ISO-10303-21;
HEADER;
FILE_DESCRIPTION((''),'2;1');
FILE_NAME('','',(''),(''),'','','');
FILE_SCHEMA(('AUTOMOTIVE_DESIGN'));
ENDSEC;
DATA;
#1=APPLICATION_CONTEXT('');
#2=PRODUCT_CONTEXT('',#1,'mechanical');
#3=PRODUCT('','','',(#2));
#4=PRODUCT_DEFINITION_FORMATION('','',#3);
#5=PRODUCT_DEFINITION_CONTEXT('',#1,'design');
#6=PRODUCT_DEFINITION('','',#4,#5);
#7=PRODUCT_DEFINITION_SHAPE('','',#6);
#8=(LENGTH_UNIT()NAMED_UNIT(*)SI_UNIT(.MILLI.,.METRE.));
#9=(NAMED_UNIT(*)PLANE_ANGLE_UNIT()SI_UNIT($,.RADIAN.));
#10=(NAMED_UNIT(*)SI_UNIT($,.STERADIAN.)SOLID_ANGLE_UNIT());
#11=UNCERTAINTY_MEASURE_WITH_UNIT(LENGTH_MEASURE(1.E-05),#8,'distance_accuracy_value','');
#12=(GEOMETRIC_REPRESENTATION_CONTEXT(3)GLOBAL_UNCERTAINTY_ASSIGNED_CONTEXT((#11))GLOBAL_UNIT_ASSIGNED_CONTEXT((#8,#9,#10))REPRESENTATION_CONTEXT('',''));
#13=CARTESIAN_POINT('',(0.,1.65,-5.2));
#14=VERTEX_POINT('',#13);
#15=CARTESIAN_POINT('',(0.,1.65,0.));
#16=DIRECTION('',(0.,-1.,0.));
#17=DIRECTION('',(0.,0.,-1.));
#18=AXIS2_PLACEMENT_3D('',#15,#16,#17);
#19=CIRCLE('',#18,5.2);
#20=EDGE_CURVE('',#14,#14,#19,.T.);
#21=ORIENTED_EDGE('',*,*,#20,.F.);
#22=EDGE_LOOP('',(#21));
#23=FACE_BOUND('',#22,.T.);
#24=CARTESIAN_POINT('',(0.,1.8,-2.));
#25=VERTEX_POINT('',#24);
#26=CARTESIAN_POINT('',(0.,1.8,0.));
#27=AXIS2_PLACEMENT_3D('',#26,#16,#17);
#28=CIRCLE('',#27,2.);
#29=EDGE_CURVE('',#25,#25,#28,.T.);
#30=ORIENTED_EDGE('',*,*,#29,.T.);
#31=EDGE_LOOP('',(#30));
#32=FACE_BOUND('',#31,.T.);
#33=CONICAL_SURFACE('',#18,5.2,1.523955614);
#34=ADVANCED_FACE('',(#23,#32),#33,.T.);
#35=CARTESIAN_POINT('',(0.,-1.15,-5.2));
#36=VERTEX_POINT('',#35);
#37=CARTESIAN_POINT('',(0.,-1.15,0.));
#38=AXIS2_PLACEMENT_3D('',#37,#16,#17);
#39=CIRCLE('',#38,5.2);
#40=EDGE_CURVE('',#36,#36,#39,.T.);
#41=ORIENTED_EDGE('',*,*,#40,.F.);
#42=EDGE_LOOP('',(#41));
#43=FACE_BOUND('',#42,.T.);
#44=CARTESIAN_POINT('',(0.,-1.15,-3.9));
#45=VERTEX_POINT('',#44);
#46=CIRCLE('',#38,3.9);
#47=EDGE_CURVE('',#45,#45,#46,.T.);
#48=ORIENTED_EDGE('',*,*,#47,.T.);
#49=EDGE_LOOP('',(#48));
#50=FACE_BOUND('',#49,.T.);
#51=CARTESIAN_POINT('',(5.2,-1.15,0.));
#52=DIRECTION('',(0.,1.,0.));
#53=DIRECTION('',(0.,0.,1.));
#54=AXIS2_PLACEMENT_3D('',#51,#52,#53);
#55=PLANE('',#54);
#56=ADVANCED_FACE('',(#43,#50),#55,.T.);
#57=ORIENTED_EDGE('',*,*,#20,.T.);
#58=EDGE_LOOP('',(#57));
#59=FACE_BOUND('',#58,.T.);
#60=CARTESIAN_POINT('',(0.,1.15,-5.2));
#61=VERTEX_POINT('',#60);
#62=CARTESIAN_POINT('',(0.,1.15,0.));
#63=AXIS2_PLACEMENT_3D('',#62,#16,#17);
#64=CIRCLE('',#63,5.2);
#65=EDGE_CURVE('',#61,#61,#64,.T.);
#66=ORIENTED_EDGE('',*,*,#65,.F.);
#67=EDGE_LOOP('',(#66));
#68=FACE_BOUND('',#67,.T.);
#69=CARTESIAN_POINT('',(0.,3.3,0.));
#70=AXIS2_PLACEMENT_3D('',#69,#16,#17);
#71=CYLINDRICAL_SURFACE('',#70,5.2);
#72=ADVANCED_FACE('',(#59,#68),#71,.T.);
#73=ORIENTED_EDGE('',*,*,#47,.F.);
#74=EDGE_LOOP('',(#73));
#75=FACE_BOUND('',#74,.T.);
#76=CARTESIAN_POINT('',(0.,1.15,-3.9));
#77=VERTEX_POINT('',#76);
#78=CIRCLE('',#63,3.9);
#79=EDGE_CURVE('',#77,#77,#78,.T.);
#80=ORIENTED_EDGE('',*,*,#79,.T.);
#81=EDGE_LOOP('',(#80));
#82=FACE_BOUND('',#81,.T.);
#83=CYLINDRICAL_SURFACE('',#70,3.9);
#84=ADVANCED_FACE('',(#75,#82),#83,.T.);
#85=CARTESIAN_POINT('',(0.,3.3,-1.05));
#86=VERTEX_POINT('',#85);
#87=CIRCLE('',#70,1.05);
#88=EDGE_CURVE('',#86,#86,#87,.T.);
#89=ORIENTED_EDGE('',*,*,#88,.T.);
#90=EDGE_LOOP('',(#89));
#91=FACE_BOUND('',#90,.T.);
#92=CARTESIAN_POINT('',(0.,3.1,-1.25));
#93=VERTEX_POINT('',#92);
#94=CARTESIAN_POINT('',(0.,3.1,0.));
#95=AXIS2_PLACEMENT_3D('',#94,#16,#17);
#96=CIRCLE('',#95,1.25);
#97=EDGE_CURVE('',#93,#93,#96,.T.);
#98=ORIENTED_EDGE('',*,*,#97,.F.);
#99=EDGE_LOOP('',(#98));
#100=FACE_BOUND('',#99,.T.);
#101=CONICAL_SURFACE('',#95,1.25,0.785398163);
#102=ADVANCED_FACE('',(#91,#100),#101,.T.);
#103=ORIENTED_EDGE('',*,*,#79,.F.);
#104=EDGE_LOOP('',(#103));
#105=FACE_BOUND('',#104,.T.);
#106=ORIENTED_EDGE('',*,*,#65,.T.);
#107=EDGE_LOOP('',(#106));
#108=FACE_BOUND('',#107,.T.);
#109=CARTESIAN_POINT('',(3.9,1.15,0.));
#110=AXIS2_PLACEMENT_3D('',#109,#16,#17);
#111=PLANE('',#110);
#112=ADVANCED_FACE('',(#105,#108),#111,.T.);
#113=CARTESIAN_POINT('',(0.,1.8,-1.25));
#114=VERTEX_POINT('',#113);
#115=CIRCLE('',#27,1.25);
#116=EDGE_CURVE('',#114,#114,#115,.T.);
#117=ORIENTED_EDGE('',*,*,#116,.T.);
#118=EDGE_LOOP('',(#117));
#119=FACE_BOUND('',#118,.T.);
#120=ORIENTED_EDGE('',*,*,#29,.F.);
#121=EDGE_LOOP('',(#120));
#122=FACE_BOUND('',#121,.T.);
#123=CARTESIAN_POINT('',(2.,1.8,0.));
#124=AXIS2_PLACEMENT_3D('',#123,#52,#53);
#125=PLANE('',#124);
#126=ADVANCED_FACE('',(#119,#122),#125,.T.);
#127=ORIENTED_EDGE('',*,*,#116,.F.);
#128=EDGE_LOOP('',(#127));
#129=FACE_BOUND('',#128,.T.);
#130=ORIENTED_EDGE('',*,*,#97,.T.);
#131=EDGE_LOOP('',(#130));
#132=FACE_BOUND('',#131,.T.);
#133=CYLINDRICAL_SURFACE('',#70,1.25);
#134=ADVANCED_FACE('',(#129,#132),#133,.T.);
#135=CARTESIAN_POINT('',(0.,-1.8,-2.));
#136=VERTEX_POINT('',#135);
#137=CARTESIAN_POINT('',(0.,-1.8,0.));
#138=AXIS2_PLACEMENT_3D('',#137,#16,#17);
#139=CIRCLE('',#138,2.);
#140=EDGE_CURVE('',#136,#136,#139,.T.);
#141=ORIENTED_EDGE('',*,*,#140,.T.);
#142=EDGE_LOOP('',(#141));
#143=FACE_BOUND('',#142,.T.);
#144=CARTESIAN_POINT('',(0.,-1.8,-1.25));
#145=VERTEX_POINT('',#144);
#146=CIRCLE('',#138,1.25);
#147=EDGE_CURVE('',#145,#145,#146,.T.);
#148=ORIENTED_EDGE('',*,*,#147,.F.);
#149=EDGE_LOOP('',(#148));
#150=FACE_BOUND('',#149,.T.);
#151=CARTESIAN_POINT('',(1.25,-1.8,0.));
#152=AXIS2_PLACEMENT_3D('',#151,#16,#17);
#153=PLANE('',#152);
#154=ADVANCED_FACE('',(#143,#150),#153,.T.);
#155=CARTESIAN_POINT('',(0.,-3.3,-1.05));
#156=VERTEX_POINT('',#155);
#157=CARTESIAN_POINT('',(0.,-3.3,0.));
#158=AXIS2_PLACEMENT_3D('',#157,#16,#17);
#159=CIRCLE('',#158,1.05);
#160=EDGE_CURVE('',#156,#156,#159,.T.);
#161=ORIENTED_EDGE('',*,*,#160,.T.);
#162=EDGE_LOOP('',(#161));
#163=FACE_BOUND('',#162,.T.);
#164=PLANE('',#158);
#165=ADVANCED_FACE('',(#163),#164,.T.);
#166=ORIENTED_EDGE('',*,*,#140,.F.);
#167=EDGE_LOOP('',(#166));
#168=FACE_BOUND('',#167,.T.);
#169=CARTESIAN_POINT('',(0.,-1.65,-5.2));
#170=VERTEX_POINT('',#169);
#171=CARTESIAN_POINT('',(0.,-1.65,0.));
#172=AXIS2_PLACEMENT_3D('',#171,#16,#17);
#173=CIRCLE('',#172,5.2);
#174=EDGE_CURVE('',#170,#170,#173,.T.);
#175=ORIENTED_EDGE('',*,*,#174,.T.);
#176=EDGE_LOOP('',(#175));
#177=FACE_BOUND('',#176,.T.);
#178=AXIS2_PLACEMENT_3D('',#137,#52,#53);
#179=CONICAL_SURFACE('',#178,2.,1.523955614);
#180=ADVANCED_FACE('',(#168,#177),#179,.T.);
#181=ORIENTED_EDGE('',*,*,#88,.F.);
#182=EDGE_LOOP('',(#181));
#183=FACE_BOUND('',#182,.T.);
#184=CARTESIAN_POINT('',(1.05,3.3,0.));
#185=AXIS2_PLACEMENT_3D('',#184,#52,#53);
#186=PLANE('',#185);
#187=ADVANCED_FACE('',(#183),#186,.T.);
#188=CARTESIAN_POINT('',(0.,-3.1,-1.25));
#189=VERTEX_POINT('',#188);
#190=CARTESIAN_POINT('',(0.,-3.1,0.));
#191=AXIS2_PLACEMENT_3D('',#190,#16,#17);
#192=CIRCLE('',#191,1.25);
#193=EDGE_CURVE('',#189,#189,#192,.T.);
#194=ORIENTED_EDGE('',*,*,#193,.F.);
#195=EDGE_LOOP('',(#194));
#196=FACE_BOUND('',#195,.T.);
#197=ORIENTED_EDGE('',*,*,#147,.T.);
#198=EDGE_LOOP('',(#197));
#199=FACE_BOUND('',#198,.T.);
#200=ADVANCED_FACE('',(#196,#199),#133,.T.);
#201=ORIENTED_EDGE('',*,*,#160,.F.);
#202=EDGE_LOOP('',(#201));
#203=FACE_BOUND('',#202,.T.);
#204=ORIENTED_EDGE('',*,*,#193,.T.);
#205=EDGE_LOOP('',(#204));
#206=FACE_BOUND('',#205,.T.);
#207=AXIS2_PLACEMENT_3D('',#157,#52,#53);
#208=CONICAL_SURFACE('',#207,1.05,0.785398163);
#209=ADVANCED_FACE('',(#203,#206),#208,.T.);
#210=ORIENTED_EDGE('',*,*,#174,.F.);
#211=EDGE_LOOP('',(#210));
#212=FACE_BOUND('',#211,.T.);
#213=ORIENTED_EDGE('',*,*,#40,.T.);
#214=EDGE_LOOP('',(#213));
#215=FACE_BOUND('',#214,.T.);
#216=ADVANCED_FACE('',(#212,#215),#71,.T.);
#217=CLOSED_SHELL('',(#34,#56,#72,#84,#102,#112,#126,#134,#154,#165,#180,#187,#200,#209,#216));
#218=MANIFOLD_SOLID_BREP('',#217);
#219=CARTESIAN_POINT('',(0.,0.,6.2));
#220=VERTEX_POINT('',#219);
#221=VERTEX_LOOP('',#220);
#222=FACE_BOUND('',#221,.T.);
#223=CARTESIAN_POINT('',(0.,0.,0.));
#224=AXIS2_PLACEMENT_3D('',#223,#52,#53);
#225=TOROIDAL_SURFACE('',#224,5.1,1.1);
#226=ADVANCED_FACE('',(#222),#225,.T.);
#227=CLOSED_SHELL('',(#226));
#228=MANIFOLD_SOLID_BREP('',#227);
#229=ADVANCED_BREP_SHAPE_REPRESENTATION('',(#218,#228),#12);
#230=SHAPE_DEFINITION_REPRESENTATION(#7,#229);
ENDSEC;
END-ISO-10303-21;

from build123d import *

# Parameters (mm, degrees)
SKETCH2_R = 1.1


with BuildPart() as part:
    # Sketch1 → Revolve1 (revolve)
    with BuildSketch(Plane.XY, mode=Mode.PRIVATE) as revolve1_sk:
        Polygon((1.05, 3.3), (0, 3.3), (0, -3.3), (1.05, -3.3), (1.25, -3.1), (1.25, -1.8), (2, -1.8), (5.2, -1.65), (5.2, -1.15), (3.9, -1.15), (3.9, 1.15), (5.2, 1.15), (5.2, 1.65), (2, 1.8), (1.25, 1.8), (1.25, 3.1), align=None)
    revolve(revolve1_sk.sketch.rotate(Axis((0, 3.3, 0), (0, -1, 0)), 270), axis=Axis((0, 3.3, 0), (0, -1, 0)))


with BuildPart() as body_2:
    # Sketch2 → Revolve2 (revolve)
    with BuildSketch(Plane.XY, mode=Mode.PRIVATE) as revolve2_sk:
        with Locations((5.1, 0)):
            Circle(SKETCH2_R)
    revolve(revolve2_sk.sketch.rotate(Axis((0, 5.52014141, 0), (0, -1, 0)), 90), axis=Axis((0, 5.52014141, 0), (0, -1, 0)))


solid = Compound([part.part, body_2.part])
